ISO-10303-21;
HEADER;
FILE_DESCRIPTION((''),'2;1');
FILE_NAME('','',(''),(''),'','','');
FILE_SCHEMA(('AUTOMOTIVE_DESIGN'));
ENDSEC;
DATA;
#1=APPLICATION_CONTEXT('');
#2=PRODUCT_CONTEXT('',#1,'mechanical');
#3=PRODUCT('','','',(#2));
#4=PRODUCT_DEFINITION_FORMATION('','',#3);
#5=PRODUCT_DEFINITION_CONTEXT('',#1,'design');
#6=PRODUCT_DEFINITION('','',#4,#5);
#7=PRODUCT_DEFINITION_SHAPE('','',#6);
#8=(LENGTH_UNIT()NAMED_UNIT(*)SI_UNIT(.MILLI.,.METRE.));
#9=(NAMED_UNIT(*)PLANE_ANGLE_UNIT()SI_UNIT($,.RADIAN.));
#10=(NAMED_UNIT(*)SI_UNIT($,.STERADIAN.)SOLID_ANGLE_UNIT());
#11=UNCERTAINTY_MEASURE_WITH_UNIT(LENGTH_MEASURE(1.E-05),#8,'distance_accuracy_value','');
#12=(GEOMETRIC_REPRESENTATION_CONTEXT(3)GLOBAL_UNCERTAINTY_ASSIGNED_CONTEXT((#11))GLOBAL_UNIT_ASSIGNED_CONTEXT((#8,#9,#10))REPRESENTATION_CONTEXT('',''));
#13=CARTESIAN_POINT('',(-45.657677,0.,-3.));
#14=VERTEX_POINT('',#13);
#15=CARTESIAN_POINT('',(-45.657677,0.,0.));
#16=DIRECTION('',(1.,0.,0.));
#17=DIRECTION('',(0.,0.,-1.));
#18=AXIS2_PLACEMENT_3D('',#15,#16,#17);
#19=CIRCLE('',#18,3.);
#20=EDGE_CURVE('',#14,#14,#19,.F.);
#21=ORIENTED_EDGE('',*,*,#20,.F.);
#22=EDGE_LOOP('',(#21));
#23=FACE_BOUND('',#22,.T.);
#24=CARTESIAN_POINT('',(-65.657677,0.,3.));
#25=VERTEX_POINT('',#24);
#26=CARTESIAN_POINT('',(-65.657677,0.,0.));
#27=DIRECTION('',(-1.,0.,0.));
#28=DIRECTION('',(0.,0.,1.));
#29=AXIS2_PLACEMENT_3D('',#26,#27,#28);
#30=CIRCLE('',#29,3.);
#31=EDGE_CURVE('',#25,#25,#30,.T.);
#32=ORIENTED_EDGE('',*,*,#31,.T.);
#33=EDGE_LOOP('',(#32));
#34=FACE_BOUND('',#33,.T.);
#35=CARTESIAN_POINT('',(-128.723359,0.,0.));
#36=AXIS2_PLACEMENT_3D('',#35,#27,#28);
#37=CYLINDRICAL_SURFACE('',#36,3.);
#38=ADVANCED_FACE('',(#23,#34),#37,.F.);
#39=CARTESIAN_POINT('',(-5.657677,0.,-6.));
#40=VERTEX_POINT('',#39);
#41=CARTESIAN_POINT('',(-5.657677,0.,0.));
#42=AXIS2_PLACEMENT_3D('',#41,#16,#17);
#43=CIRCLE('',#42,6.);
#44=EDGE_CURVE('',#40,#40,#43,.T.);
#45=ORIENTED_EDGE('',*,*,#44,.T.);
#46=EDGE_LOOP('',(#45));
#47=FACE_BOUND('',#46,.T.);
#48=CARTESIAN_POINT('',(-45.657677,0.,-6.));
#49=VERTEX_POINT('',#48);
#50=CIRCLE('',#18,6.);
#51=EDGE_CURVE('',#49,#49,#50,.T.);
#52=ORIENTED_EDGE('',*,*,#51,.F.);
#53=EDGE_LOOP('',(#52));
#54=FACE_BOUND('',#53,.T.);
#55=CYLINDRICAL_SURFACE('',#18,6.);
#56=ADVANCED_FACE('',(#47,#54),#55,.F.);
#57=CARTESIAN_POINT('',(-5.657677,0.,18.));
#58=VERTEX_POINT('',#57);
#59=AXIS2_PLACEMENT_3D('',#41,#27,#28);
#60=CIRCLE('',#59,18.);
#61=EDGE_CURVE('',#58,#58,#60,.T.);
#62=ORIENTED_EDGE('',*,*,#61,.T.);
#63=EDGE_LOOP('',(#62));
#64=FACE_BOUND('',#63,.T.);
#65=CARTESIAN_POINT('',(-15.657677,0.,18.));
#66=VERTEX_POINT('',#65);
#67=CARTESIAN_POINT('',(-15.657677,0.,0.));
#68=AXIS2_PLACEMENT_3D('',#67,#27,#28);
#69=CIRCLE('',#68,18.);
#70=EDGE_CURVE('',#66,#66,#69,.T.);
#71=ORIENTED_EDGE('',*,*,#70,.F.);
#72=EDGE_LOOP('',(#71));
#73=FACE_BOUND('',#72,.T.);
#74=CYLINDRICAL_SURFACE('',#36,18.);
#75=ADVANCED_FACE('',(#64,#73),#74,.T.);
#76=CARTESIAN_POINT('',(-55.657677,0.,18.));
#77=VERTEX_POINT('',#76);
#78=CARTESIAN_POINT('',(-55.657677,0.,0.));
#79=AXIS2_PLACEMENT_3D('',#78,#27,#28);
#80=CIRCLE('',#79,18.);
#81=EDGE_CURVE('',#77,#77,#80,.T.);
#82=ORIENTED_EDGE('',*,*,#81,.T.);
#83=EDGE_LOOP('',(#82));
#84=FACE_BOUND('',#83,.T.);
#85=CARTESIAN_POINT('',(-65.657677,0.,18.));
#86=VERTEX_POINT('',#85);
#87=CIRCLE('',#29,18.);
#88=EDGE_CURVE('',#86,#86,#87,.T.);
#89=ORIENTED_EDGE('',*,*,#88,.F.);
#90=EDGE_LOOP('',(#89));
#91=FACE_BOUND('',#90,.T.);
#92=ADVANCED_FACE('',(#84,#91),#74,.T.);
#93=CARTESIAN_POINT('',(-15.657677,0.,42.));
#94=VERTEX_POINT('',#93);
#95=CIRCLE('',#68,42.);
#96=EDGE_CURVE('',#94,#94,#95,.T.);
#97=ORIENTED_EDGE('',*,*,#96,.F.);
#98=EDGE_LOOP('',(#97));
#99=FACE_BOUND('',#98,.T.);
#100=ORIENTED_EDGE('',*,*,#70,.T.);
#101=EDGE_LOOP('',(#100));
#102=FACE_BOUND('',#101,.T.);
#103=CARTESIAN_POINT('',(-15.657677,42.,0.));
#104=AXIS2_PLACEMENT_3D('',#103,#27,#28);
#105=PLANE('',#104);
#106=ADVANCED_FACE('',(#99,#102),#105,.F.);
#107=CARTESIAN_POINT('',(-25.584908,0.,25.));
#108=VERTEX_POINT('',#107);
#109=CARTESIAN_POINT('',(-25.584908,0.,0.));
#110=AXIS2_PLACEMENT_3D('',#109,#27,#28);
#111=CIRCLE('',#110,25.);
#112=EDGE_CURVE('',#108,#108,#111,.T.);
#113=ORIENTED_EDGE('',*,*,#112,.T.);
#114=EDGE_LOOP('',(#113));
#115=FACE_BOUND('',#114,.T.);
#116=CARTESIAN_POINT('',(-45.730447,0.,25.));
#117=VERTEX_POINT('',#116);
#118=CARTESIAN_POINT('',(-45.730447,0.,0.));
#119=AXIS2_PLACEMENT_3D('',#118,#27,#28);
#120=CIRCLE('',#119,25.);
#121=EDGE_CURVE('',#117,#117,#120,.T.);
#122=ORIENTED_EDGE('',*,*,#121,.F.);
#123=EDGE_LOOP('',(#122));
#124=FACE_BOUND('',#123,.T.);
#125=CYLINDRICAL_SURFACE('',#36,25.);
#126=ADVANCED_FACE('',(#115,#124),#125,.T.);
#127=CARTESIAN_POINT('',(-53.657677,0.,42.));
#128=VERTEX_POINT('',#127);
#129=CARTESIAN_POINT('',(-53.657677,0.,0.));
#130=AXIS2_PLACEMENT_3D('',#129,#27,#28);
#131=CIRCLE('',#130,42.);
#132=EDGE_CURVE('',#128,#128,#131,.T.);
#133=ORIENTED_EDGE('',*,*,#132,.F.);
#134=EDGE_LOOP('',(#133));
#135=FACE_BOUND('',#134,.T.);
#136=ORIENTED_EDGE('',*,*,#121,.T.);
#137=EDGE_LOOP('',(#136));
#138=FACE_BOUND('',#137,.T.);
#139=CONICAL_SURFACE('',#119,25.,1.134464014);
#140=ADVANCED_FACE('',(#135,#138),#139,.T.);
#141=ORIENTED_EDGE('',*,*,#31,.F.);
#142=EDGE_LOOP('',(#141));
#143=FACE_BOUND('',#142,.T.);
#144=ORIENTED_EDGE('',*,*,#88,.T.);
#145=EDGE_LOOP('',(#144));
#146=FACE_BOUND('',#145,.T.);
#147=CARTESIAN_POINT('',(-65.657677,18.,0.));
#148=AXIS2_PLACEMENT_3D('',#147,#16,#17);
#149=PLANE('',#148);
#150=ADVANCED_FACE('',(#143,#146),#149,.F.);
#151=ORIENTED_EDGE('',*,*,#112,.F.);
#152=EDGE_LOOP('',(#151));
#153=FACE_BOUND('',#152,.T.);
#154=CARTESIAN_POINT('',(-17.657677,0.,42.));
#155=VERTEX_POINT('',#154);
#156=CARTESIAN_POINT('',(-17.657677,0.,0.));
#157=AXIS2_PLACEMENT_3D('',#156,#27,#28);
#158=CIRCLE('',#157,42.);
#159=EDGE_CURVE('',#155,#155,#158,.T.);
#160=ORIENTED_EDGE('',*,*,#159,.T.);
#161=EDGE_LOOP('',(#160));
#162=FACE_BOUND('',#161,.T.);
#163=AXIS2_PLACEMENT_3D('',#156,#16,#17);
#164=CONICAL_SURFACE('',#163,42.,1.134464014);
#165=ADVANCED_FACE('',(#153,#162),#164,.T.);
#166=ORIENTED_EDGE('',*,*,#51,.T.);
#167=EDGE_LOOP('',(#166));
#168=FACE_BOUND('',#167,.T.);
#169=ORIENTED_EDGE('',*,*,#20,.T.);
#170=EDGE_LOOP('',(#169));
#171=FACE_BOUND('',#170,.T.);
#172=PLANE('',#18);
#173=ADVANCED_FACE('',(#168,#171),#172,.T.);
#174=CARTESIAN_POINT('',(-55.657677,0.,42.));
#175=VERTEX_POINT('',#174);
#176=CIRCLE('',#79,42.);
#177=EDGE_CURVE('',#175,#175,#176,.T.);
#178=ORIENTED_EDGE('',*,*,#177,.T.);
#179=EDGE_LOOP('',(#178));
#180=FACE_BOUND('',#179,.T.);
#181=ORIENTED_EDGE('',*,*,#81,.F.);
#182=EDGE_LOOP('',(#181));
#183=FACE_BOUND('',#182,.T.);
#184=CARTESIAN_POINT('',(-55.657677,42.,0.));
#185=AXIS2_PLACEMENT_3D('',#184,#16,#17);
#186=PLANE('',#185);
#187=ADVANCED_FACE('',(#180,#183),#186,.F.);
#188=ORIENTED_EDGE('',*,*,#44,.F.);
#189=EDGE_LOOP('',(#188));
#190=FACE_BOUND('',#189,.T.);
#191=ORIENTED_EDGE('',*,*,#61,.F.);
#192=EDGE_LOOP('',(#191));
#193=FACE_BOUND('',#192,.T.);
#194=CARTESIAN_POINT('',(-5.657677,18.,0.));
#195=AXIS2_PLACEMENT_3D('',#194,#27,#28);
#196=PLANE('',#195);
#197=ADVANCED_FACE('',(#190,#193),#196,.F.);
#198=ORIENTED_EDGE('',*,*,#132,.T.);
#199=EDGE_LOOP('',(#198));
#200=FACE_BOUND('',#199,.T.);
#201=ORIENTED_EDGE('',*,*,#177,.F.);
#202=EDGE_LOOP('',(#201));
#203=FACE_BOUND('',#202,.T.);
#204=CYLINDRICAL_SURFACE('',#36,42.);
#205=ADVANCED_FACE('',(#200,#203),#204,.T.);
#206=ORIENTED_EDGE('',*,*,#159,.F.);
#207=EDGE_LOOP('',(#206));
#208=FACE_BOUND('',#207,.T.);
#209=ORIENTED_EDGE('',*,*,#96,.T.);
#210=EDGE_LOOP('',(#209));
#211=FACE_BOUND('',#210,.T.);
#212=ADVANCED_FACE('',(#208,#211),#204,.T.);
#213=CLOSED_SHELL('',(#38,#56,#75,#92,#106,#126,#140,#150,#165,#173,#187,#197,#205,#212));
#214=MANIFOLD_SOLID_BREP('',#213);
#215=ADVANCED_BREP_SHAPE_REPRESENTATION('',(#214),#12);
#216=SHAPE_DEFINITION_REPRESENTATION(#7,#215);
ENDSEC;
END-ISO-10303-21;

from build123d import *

# Parameters (mm, degrees)
ESQUISSE2_R             = 6
ENL_V_MAT_EXTRU_1_DEPTH = 40


with BuildPart() as part:
    # Esquisse1 → Révolution1 (revolve)
    with BuildSketch(Plane.XY, mode=Mode.PRIVATE) as r_volution1_sk:
        Polygon((-55.657677475, 42), (-53.657677475, 42), (-45.730447287, 25), (-25.584907664, 25), (-17.657677475, 42), (-15.657677475, 42), (-15.657677475, 18), (-5.657677475, 18), (-5.657677475, 3), (-65.657677475, 3), (-65.657677475, 18), (-55.657677475, 18), align=None)
    revolve(r_volution1_sk.sketch.rotate(Axis((-128.723358614, 0, 0), (1, 0, 0)), 90), axis=Axis((-128.723358614, 0, 0), (1, 0, 0)))  # turned: the seam where the file's is

    # Esquisse2 → Enlèv. mat.-Extru.1 (cut)
    with BuildSketch(Plane(origin=(-5.657677475, 0, 0), x_dir=(0, 0, -1), z_dir=(1, 0, 0))):
        Circle(ESQUISSE2_R)
    extrude(amount=-ENL_V_MAT_EXTRU_1_DEPTH, mode=Mode.SUBTRACT)


solid = part.part
